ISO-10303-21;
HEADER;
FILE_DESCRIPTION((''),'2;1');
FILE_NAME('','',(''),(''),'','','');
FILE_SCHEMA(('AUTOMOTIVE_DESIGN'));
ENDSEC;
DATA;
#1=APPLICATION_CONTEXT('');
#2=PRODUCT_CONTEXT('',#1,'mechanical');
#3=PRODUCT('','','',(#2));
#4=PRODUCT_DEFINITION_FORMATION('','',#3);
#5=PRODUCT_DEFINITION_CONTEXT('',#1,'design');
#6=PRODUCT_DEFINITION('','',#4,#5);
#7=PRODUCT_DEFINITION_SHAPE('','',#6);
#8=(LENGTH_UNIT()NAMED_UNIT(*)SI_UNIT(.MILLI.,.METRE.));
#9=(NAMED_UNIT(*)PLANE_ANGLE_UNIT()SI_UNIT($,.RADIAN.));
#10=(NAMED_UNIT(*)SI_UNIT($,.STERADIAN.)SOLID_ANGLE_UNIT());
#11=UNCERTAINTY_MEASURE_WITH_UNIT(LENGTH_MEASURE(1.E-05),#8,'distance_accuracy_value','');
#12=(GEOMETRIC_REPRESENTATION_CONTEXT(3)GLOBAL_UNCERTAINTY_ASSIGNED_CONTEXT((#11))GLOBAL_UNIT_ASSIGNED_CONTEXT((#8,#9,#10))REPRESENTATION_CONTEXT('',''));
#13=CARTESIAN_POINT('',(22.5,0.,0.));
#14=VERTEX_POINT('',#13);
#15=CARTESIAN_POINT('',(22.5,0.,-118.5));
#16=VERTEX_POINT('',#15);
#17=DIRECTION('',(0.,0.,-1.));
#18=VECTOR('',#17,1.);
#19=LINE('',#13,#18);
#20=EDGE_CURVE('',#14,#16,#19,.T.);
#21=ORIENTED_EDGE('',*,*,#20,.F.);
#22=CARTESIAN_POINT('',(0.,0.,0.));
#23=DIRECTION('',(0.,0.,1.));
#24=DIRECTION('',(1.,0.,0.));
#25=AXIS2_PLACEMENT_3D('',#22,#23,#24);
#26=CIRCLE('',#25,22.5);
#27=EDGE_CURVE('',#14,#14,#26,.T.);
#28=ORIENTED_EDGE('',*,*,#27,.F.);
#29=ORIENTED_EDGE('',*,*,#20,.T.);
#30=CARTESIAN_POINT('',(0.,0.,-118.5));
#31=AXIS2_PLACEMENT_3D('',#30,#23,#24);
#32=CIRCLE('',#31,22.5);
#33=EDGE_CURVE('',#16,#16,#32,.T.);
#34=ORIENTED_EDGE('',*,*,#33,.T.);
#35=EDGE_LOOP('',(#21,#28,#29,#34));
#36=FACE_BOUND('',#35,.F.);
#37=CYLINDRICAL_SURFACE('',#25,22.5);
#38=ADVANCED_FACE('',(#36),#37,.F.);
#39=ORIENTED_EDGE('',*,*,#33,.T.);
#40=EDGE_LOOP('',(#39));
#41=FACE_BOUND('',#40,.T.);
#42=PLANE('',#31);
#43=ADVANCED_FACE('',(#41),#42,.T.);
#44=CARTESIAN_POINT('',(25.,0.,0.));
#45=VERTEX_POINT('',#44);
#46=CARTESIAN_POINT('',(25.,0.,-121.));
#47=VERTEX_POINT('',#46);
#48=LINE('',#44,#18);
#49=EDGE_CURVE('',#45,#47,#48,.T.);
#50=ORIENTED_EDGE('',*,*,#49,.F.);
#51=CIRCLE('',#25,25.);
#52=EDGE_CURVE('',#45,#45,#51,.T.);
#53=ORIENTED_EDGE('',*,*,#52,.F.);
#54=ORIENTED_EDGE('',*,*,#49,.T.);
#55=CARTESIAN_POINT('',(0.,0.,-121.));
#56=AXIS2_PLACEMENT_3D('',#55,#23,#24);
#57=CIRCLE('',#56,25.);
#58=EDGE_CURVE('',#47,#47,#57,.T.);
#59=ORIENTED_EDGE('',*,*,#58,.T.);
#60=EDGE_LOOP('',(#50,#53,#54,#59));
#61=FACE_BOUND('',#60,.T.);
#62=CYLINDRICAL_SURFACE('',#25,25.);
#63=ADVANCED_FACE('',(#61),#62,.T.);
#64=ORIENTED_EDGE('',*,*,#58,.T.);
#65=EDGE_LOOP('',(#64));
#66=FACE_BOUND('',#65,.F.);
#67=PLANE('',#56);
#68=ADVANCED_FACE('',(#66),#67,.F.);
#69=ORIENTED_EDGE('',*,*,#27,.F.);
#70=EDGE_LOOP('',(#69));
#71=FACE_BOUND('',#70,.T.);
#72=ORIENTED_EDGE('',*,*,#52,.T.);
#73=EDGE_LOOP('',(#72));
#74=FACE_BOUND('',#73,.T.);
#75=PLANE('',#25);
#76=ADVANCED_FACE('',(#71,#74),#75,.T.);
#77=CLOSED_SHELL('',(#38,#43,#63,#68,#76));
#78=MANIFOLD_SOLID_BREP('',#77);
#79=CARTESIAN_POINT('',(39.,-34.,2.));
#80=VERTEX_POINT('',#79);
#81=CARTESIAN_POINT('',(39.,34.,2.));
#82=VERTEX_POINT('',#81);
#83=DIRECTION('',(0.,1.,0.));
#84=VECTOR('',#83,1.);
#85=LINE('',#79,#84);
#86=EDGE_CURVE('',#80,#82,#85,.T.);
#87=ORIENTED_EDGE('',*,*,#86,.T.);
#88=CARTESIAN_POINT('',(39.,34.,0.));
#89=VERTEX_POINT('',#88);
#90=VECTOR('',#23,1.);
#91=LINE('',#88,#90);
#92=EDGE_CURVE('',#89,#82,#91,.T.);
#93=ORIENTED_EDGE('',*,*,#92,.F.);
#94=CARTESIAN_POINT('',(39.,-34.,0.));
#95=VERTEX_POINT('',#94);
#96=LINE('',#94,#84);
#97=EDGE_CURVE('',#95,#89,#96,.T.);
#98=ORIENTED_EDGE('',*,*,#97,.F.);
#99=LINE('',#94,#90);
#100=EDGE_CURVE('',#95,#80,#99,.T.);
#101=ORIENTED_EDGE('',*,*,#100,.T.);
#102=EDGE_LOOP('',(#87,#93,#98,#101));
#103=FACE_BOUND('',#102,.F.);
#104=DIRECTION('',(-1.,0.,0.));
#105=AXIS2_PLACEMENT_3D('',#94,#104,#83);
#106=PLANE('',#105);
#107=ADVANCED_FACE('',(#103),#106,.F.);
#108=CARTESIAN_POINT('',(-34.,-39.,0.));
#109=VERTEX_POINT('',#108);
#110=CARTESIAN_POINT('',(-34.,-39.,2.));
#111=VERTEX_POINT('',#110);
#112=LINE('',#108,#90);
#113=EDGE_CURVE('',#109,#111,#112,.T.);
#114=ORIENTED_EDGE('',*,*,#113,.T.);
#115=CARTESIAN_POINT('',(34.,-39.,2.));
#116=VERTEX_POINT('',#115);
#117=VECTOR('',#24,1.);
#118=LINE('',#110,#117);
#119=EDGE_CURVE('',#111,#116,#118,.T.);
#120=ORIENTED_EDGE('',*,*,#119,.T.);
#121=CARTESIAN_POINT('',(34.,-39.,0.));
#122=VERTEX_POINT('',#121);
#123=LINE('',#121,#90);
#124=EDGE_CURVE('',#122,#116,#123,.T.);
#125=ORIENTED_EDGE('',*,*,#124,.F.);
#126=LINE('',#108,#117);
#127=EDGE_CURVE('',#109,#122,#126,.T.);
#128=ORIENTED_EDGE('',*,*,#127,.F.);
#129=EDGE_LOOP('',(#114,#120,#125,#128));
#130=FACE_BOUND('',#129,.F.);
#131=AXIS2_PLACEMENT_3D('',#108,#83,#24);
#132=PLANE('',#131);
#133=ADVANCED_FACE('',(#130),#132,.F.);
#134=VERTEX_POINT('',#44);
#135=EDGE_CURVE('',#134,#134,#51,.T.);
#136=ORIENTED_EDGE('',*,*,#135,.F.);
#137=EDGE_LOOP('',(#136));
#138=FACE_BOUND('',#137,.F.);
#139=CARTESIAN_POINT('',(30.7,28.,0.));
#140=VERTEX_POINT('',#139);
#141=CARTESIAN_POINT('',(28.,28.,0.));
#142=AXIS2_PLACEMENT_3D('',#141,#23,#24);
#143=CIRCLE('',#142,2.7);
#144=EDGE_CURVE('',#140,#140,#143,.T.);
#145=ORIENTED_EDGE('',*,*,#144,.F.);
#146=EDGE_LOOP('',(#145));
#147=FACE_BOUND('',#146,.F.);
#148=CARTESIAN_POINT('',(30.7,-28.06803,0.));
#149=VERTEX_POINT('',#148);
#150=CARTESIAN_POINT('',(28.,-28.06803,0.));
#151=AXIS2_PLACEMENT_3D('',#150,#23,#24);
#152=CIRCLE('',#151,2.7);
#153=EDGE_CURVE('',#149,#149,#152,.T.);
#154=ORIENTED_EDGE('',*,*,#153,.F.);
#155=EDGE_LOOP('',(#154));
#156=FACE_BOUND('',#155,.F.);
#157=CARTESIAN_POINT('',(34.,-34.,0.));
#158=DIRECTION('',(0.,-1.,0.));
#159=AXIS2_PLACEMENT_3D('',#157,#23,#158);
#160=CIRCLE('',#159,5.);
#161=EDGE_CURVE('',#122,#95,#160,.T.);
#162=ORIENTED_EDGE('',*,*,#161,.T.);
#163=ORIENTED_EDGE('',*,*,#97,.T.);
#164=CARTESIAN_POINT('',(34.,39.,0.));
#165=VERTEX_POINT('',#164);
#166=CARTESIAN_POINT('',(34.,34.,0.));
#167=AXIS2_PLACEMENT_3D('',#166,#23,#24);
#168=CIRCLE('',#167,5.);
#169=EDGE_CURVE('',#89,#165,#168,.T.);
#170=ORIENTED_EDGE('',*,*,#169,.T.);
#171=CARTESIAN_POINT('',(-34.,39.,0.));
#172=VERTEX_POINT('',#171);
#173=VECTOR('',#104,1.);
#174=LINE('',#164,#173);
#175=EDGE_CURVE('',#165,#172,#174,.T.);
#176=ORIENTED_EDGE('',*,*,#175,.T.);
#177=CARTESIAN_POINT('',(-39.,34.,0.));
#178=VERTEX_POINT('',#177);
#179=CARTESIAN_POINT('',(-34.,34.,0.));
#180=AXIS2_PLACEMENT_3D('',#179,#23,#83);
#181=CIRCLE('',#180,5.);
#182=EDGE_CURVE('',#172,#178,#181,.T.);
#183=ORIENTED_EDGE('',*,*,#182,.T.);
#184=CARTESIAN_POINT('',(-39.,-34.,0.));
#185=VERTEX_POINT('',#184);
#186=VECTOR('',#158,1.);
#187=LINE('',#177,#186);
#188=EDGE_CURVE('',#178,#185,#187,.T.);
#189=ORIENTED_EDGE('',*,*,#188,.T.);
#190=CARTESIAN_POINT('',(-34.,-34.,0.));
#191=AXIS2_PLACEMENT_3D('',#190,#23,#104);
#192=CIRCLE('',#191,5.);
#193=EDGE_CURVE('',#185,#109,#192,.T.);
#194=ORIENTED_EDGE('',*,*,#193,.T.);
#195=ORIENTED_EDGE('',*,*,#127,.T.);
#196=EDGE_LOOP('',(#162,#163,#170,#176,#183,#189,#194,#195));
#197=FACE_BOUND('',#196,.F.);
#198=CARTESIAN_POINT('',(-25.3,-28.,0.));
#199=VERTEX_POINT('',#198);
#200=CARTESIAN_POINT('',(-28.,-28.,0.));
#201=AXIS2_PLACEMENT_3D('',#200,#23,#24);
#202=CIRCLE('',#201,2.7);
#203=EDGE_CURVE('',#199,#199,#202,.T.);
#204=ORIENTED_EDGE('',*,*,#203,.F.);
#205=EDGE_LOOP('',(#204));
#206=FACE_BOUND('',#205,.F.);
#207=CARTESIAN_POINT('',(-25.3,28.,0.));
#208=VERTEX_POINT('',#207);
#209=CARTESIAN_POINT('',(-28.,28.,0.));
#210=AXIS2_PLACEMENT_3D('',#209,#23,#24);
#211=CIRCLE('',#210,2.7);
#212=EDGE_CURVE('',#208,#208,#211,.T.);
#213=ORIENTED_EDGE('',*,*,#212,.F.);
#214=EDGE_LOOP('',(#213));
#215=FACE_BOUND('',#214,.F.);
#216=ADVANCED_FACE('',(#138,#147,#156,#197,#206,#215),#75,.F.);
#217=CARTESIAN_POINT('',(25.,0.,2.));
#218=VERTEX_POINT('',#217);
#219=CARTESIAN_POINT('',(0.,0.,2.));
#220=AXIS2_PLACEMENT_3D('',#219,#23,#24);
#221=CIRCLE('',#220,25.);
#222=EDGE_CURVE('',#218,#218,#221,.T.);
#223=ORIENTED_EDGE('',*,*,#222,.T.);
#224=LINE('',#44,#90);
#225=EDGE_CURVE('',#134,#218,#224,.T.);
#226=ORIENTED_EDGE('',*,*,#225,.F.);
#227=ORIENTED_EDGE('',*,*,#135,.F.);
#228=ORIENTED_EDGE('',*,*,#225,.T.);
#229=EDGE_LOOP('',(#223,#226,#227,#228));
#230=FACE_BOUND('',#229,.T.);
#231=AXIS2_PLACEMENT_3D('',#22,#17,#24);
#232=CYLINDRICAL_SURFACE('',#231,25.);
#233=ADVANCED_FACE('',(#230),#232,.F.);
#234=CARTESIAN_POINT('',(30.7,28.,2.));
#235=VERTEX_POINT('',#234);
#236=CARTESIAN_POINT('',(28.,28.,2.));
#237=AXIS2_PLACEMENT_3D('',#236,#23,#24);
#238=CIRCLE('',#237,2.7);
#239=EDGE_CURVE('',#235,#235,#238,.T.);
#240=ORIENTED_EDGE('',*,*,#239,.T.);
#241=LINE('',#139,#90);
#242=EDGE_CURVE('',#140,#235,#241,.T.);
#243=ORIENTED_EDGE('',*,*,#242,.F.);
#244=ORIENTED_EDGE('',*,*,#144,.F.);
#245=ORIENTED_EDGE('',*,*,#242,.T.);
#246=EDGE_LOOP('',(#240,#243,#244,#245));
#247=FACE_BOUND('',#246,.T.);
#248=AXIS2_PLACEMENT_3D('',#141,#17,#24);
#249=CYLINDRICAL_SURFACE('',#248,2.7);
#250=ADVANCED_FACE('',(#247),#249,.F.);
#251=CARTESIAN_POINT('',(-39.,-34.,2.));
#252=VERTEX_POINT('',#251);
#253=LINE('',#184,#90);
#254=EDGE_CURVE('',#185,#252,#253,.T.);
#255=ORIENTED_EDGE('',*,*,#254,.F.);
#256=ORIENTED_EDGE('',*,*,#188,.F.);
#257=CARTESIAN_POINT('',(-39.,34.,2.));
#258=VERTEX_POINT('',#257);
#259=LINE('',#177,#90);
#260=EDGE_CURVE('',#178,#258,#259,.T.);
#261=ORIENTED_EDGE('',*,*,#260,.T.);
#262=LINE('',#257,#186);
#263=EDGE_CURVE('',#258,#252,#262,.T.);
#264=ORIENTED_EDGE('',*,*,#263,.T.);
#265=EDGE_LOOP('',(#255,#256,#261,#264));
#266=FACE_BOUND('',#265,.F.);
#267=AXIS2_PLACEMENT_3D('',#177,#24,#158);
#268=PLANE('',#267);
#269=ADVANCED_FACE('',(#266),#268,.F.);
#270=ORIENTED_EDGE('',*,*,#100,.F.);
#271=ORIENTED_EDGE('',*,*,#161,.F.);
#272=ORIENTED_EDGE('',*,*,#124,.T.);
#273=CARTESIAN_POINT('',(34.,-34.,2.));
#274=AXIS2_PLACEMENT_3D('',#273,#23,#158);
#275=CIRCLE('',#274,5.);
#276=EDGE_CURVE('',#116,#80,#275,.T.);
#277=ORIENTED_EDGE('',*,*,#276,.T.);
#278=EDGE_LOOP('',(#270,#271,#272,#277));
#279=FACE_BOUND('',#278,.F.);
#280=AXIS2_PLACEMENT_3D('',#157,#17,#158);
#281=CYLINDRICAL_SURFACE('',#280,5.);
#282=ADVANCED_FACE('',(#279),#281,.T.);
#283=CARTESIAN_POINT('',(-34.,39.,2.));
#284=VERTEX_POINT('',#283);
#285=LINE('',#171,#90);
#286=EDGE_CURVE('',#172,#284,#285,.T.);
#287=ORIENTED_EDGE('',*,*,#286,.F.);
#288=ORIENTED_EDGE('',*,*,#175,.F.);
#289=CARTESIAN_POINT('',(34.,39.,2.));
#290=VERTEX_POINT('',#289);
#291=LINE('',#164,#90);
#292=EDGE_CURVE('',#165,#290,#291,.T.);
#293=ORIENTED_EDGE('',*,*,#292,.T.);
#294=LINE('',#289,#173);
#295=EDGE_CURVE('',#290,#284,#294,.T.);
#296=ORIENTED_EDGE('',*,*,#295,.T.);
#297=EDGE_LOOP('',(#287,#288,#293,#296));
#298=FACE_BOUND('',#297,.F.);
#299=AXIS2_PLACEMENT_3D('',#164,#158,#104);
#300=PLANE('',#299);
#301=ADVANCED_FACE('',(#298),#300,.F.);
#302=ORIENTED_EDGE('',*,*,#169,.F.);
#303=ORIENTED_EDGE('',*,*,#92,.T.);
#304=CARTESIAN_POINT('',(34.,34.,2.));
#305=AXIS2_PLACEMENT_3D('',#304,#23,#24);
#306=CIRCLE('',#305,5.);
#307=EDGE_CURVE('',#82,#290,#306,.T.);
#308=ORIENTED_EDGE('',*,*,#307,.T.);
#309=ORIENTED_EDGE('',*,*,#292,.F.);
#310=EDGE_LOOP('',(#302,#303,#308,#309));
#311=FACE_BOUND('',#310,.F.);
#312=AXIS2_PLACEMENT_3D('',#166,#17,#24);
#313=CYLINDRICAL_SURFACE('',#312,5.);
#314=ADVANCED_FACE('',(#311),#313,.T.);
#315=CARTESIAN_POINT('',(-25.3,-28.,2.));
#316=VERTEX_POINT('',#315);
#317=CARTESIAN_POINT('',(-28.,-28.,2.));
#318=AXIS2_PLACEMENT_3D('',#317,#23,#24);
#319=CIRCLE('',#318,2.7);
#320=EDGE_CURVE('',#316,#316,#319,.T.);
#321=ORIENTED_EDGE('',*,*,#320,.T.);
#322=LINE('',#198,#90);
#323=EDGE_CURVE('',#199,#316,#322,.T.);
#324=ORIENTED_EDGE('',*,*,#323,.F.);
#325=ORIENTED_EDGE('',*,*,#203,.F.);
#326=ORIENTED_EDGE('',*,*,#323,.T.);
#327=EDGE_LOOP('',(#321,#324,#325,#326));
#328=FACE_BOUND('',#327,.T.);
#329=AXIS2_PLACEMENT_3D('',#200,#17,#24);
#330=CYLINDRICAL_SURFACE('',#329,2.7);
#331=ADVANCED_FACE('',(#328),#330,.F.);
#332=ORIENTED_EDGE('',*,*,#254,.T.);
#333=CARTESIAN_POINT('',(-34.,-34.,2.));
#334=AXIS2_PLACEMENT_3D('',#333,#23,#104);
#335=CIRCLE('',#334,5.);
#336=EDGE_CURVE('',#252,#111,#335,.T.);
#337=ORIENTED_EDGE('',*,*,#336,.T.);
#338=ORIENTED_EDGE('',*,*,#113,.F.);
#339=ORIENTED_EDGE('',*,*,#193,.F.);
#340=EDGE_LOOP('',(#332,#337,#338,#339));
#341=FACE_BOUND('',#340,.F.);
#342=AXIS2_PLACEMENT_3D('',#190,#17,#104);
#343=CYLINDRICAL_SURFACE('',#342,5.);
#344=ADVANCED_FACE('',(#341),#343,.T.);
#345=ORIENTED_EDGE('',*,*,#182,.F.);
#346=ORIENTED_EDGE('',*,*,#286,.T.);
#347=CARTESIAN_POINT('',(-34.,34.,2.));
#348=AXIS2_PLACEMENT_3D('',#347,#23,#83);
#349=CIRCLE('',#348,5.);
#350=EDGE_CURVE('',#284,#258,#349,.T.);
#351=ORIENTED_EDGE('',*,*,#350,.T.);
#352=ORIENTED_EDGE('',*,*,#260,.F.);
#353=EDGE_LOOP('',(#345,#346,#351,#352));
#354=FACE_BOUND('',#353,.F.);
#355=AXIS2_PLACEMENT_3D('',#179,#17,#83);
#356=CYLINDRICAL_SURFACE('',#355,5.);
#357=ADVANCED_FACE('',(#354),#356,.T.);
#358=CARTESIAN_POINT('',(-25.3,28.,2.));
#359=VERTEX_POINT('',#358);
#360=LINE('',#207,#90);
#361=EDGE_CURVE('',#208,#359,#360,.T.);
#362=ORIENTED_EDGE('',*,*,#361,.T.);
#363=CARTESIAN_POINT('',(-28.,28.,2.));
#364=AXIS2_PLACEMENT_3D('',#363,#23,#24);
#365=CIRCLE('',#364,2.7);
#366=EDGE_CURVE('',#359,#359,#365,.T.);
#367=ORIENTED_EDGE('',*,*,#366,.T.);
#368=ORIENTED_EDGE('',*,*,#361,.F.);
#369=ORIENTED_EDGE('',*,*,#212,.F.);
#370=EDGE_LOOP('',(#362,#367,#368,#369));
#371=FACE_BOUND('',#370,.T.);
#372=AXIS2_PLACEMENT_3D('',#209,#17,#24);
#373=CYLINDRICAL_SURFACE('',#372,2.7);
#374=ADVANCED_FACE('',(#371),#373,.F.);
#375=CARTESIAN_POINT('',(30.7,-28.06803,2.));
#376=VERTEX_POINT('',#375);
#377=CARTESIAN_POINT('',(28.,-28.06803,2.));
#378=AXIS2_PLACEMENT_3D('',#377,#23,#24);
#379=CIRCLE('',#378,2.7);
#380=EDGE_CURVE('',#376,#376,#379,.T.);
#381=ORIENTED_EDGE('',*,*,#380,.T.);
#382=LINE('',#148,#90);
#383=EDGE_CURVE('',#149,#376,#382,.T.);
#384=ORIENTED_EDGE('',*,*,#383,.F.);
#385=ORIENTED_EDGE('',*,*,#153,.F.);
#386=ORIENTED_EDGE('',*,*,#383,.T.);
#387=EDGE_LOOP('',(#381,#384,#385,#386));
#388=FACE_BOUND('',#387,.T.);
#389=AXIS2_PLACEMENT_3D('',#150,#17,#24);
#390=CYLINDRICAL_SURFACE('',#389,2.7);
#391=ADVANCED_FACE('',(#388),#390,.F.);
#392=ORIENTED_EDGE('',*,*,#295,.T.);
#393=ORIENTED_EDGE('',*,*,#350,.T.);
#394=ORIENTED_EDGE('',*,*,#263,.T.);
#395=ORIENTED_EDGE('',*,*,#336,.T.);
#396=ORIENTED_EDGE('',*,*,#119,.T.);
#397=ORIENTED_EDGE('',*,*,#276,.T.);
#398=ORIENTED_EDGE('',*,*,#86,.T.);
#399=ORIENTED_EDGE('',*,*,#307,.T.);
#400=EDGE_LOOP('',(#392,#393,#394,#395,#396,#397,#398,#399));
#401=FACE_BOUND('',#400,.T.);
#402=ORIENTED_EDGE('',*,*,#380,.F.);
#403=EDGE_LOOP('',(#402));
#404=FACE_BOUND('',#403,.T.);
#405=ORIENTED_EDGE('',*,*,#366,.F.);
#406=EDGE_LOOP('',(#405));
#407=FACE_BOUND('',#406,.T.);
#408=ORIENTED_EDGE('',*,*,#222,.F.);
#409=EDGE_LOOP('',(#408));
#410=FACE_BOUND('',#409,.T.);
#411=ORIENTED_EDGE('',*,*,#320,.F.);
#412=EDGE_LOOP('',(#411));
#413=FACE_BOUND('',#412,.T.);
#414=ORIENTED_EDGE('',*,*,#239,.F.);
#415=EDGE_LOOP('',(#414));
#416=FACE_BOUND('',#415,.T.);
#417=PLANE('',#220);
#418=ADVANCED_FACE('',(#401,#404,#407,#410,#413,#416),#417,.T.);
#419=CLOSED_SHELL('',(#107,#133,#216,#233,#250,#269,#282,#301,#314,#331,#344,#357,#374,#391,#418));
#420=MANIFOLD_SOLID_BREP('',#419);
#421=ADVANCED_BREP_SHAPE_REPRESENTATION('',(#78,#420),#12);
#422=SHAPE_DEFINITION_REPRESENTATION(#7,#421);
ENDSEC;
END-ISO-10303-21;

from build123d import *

# Parameters (mm, degrees)
F0_R     = 25
F1_DEPTH = 121
F2_T     = -2.5
F3_R     = 2.7
F3_R_2   = 25
F4_DEPTH = 2


with BuildPart() as f1:
    # F0 (on Top) → F1 (new body)
    with BuildSketch(Plane.XY):
        Circle(F0_R)
    extrude(amount=-F1_DEPTH)

    # F2
    f2_openings = [f1.faces().sort_by_distance(p)[0] for p in [
        (0, 0, 0),
    ]]
    offset(amount=F2_T, openings=f2_openings)


with BuildPart() as f4:
    # F3 (on face) → F4 (new body)
    with BuildSketch(Plane.XY):
        with BuildLine():
            Line((-34, -39), (34, -39))
            ThreePointArc((34, -39), (37.5355339059, -37.5355339059), (39, -34))
            Line((39, -34), (39, 34))
            ThreePointArc((39, 34), (37.5355339059, 37.5355339059), (34, 39))
            Line((34, 39), (-34, 39))
            ThreePointArc((-34, 39), (-37.5355339059, 37.5355339059), (-39, 34))
            Line((-39, 34), (-39, -34))
            ThreePointArc((-39, -34), (-37.5355339059, -37.5355339059), (-34, -39))
        make_face()
        with Locations((-28, -28)):
            Circle(F3_R, mode=Mode.SUBTRACT)
        with Locations((28, -28.0680302531)):
            Circle(F3_R, mode=Mode.SUBTRACT)
        with Locations((-28, 28)):
            Circle(F3_R, mode=Mode.SUBTRACT)
        Circle(F3_R_2, mode=Mode.SUBTRACT)
        with Locations((28, 28)):
            Circle(F3_R, mode=Mode.SUBTRACT)
    extrude(amount=F4_DEPTH)


solid = Compound([f1.part, f4.part])
